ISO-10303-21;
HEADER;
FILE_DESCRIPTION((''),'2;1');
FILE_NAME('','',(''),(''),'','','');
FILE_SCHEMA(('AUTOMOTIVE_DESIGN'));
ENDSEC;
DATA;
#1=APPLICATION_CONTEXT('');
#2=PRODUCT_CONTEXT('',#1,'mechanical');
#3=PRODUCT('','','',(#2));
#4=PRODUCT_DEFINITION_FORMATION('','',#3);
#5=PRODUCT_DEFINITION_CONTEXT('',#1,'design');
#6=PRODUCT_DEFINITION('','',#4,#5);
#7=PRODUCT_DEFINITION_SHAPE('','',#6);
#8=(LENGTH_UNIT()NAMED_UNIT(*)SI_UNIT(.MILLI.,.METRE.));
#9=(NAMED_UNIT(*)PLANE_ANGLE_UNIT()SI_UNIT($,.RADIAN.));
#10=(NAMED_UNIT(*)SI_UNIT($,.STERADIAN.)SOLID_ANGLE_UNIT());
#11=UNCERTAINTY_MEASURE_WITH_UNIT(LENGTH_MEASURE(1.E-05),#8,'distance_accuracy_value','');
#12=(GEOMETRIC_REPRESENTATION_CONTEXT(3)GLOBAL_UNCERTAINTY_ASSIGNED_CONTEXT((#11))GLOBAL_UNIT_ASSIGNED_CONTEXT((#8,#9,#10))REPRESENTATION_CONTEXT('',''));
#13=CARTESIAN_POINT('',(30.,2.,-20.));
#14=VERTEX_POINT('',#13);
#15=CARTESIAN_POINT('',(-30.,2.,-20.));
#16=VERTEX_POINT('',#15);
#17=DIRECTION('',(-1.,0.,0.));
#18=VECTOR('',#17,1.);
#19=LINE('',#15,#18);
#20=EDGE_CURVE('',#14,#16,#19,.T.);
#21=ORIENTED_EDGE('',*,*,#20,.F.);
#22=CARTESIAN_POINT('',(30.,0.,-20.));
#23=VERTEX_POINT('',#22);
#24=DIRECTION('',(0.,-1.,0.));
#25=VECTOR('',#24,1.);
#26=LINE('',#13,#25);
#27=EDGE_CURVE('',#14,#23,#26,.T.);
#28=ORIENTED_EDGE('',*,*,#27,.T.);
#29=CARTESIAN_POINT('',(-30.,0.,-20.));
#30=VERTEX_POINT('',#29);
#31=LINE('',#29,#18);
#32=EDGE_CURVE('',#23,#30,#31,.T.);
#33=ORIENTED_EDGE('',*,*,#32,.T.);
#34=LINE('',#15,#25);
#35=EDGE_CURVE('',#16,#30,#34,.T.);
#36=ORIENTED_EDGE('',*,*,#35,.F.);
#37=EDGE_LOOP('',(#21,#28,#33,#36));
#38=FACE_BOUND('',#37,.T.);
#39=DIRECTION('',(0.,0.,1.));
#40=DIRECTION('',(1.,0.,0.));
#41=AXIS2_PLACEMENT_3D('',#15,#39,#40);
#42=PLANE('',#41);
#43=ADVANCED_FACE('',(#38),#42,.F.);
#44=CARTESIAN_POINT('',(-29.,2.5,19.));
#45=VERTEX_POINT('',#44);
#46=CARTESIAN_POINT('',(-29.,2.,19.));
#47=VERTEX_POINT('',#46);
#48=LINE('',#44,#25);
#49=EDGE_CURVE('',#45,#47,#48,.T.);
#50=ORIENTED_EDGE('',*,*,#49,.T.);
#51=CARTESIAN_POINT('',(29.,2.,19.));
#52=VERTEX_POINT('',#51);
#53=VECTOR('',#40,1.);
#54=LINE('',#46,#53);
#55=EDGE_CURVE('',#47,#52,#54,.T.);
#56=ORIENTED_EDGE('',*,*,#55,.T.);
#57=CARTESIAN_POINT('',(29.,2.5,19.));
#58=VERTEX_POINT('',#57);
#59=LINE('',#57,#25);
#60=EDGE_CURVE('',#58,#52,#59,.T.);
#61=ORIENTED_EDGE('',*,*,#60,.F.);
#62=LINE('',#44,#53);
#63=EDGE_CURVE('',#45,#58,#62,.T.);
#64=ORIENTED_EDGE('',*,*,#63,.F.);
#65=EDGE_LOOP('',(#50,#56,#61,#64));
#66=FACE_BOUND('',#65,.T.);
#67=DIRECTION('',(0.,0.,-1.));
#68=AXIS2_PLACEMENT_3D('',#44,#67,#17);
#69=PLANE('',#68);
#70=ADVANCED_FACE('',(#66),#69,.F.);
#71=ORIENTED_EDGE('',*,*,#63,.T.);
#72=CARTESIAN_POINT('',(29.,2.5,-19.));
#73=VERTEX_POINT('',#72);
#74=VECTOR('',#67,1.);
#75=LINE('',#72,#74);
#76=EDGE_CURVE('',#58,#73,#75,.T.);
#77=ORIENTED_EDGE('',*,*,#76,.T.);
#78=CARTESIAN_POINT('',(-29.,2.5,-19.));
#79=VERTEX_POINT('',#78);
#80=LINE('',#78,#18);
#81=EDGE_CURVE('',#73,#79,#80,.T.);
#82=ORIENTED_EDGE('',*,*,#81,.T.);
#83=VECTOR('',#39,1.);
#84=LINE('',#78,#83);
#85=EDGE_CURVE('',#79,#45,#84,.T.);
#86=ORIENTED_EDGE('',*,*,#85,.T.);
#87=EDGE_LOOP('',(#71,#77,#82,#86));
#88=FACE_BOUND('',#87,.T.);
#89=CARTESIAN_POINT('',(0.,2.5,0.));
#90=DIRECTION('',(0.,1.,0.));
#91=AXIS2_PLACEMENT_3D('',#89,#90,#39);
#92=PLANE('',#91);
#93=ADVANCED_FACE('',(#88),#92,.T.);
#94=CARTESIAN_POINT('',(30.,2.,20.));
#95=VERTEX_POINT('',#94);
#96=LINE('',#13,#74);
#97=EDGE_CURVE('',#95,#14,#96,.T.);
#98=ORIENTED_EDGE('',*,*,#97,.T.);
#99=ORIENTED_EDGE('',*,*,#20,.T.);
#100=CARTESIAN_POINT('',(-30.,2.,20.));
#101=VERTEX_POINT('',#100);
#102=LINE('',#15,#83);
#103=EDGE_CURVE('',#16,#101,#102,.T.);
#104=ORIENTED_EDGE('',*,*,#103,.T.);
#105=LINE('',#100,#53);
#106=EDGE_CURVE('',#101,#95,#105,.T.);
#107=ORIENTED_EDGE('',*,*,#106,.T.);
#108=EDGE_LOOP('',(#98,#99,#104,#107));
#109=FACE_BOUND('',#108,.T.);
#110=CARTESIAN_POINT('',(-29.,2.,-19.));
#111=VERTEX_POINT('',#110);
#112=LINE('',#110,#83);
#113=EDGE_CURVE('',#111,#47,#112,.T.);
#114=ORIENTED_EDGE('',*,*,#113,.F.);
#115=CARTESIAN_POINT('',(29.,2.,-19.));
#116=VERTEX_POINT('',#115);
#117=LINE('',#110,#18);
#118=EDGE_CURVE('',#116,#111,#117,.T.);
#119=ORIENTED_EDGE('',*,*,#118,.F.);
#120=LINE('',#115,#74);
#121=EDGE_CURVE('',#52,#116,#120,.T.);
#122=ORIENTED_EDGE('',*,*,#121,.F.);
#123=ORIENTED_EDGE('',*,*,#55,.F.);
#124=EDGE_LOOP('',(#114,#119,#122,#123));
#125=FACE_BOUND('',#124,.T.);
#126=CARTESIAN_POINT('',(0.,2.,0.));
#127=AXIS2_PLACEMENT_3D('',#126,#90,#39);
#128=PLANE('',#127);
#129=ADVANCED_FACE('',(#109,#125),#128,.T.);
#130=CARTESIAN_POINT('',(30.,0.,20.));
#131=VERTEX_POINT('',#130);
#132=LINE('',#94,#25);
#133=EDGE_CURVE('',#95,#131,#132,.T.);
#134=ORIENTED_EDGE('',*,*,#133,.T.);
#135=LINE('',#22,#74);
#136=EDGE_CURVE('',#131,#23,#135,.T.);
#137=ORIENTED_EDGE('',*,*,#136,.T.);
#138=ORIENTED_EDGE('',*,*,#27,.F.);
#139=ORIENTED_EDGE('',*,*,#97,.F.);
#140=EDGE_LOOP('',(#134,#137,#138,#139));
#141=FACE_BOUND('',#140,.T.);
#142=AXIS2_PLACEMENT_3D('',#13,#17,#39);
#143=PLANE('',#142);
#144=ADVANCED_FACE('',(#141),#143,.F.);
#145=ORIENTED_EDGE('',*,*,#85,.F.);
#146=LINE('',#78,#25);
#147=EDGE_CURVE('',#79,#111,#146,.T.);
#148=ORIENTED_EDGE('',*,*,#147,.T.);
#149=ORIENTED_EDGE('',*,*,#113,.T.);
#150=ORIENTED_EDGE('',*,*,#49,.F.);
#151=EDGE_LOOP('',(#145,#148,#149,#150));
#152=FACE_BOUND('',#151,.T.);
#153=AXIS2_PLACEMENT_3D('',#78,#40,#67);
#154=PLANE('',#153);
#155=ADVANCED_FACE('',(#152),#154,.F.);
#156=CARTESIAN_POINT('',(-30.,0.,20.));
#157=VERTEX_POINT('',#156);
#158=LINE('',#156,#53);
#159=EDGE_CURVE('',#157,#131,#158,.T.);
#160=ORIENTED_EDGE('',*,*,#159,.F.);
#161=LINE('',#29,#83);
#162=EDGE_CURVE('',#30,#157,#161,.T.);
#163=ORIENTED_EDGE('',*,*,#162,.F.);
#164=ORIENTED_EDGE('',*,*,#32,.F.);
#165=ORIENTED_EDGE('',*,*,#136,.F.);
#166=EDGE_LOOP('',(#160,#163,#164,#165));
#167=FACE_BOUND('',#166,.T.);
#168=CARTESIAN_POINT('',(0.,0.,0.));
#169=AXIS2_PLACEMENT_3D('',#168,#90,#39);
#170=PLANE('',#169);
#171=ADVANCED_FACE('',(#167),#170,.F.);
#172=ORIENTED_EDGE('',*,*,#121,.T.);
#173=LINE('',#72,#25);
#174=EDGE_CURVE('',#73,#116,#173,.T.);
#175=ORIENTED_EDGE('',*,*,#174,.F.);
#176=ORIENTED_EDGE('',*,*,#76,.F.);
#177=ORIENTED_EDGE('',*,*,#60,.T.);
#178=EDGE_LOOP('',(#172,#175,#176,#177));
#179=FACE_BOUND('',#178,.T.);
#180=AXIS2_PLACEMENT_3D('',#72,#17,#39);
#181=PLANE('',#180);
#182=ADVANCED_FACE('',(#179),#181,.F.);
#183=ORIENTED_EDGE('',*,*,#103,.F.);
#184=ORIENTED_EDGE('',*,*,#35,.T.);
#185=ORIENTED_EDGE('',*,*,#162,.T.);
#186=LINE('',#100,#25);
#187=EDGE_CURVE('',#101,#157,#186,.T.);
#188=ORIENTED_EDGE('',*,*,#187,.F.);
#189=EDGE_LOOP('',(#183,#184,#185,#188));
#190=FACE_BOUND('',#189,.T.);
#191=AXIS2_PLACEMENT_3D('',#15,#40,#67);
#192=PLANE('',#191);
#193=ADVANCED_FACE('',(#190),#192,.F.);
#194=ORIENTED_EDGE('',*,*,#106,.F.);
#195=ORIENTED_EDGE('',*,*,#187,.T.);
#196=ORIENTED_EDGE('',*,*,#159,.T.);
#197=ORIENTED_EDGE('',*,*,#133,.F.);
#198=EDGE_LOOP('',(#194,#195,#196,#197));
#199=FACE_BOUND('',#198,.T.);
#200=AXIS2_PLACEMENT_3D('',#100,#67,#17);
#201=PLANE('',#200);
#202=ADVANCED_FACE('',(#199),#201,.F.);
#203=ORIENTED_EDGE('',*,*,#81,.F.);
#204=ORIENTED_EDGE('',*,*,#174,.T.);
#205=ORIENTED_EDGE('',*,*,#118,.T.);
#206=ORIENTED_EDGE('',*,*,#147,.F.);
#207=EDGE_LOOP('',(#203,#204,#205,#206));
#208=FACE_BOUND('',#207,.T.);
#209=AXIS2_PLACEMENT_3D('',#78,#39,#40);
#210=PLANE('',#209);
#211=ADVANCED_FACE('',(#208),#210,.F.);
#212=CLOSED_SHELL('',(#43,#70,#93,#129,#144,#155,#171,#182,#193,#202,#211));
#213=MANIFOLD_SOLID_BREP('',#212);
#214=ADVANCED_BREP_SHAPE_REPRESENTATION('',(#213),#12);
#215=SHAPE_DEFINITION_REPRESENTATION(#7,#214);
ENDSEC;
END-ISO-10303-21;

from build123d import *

# Parameters (mm, degrees)
CROQUIS1_W              = 60
CROQUIS1_H              = 40
SALIENTE_EXTRUIR1_DEPTH = 2
CROQUIS2_W              = 58
CROQUIS2_H              = 38
SALIENTE_EXTRUIR2_DEPTH = 0.5


with BuildPart() as part:
    # Croquis1 → Saliente-Extruir1 (new body)
    with BuildSketch(Plane(origin=(0, 0, 0), x_dir=(1, 0, 0), z_dir=(0, 1, 0))):
        Rectangle(CROQUIS1_W, CROQUIS1_H)
    extrude(amount=SALIENTE_EXTRUIR1_DEPTH)

    # Croquis2 → Saliente-Extruir2 (add)
    with BuildSketch(Plane(origin=(0, 2, 0), x_dir=(1, 0, 0), z_dir=(0, 1, 0))):
        Rectangle(CROQUIS2_W, CROQUIS2_H)
    extrude(amount=SALIENTE_EXTRUIR2_DEPTH)


solid = part.part
